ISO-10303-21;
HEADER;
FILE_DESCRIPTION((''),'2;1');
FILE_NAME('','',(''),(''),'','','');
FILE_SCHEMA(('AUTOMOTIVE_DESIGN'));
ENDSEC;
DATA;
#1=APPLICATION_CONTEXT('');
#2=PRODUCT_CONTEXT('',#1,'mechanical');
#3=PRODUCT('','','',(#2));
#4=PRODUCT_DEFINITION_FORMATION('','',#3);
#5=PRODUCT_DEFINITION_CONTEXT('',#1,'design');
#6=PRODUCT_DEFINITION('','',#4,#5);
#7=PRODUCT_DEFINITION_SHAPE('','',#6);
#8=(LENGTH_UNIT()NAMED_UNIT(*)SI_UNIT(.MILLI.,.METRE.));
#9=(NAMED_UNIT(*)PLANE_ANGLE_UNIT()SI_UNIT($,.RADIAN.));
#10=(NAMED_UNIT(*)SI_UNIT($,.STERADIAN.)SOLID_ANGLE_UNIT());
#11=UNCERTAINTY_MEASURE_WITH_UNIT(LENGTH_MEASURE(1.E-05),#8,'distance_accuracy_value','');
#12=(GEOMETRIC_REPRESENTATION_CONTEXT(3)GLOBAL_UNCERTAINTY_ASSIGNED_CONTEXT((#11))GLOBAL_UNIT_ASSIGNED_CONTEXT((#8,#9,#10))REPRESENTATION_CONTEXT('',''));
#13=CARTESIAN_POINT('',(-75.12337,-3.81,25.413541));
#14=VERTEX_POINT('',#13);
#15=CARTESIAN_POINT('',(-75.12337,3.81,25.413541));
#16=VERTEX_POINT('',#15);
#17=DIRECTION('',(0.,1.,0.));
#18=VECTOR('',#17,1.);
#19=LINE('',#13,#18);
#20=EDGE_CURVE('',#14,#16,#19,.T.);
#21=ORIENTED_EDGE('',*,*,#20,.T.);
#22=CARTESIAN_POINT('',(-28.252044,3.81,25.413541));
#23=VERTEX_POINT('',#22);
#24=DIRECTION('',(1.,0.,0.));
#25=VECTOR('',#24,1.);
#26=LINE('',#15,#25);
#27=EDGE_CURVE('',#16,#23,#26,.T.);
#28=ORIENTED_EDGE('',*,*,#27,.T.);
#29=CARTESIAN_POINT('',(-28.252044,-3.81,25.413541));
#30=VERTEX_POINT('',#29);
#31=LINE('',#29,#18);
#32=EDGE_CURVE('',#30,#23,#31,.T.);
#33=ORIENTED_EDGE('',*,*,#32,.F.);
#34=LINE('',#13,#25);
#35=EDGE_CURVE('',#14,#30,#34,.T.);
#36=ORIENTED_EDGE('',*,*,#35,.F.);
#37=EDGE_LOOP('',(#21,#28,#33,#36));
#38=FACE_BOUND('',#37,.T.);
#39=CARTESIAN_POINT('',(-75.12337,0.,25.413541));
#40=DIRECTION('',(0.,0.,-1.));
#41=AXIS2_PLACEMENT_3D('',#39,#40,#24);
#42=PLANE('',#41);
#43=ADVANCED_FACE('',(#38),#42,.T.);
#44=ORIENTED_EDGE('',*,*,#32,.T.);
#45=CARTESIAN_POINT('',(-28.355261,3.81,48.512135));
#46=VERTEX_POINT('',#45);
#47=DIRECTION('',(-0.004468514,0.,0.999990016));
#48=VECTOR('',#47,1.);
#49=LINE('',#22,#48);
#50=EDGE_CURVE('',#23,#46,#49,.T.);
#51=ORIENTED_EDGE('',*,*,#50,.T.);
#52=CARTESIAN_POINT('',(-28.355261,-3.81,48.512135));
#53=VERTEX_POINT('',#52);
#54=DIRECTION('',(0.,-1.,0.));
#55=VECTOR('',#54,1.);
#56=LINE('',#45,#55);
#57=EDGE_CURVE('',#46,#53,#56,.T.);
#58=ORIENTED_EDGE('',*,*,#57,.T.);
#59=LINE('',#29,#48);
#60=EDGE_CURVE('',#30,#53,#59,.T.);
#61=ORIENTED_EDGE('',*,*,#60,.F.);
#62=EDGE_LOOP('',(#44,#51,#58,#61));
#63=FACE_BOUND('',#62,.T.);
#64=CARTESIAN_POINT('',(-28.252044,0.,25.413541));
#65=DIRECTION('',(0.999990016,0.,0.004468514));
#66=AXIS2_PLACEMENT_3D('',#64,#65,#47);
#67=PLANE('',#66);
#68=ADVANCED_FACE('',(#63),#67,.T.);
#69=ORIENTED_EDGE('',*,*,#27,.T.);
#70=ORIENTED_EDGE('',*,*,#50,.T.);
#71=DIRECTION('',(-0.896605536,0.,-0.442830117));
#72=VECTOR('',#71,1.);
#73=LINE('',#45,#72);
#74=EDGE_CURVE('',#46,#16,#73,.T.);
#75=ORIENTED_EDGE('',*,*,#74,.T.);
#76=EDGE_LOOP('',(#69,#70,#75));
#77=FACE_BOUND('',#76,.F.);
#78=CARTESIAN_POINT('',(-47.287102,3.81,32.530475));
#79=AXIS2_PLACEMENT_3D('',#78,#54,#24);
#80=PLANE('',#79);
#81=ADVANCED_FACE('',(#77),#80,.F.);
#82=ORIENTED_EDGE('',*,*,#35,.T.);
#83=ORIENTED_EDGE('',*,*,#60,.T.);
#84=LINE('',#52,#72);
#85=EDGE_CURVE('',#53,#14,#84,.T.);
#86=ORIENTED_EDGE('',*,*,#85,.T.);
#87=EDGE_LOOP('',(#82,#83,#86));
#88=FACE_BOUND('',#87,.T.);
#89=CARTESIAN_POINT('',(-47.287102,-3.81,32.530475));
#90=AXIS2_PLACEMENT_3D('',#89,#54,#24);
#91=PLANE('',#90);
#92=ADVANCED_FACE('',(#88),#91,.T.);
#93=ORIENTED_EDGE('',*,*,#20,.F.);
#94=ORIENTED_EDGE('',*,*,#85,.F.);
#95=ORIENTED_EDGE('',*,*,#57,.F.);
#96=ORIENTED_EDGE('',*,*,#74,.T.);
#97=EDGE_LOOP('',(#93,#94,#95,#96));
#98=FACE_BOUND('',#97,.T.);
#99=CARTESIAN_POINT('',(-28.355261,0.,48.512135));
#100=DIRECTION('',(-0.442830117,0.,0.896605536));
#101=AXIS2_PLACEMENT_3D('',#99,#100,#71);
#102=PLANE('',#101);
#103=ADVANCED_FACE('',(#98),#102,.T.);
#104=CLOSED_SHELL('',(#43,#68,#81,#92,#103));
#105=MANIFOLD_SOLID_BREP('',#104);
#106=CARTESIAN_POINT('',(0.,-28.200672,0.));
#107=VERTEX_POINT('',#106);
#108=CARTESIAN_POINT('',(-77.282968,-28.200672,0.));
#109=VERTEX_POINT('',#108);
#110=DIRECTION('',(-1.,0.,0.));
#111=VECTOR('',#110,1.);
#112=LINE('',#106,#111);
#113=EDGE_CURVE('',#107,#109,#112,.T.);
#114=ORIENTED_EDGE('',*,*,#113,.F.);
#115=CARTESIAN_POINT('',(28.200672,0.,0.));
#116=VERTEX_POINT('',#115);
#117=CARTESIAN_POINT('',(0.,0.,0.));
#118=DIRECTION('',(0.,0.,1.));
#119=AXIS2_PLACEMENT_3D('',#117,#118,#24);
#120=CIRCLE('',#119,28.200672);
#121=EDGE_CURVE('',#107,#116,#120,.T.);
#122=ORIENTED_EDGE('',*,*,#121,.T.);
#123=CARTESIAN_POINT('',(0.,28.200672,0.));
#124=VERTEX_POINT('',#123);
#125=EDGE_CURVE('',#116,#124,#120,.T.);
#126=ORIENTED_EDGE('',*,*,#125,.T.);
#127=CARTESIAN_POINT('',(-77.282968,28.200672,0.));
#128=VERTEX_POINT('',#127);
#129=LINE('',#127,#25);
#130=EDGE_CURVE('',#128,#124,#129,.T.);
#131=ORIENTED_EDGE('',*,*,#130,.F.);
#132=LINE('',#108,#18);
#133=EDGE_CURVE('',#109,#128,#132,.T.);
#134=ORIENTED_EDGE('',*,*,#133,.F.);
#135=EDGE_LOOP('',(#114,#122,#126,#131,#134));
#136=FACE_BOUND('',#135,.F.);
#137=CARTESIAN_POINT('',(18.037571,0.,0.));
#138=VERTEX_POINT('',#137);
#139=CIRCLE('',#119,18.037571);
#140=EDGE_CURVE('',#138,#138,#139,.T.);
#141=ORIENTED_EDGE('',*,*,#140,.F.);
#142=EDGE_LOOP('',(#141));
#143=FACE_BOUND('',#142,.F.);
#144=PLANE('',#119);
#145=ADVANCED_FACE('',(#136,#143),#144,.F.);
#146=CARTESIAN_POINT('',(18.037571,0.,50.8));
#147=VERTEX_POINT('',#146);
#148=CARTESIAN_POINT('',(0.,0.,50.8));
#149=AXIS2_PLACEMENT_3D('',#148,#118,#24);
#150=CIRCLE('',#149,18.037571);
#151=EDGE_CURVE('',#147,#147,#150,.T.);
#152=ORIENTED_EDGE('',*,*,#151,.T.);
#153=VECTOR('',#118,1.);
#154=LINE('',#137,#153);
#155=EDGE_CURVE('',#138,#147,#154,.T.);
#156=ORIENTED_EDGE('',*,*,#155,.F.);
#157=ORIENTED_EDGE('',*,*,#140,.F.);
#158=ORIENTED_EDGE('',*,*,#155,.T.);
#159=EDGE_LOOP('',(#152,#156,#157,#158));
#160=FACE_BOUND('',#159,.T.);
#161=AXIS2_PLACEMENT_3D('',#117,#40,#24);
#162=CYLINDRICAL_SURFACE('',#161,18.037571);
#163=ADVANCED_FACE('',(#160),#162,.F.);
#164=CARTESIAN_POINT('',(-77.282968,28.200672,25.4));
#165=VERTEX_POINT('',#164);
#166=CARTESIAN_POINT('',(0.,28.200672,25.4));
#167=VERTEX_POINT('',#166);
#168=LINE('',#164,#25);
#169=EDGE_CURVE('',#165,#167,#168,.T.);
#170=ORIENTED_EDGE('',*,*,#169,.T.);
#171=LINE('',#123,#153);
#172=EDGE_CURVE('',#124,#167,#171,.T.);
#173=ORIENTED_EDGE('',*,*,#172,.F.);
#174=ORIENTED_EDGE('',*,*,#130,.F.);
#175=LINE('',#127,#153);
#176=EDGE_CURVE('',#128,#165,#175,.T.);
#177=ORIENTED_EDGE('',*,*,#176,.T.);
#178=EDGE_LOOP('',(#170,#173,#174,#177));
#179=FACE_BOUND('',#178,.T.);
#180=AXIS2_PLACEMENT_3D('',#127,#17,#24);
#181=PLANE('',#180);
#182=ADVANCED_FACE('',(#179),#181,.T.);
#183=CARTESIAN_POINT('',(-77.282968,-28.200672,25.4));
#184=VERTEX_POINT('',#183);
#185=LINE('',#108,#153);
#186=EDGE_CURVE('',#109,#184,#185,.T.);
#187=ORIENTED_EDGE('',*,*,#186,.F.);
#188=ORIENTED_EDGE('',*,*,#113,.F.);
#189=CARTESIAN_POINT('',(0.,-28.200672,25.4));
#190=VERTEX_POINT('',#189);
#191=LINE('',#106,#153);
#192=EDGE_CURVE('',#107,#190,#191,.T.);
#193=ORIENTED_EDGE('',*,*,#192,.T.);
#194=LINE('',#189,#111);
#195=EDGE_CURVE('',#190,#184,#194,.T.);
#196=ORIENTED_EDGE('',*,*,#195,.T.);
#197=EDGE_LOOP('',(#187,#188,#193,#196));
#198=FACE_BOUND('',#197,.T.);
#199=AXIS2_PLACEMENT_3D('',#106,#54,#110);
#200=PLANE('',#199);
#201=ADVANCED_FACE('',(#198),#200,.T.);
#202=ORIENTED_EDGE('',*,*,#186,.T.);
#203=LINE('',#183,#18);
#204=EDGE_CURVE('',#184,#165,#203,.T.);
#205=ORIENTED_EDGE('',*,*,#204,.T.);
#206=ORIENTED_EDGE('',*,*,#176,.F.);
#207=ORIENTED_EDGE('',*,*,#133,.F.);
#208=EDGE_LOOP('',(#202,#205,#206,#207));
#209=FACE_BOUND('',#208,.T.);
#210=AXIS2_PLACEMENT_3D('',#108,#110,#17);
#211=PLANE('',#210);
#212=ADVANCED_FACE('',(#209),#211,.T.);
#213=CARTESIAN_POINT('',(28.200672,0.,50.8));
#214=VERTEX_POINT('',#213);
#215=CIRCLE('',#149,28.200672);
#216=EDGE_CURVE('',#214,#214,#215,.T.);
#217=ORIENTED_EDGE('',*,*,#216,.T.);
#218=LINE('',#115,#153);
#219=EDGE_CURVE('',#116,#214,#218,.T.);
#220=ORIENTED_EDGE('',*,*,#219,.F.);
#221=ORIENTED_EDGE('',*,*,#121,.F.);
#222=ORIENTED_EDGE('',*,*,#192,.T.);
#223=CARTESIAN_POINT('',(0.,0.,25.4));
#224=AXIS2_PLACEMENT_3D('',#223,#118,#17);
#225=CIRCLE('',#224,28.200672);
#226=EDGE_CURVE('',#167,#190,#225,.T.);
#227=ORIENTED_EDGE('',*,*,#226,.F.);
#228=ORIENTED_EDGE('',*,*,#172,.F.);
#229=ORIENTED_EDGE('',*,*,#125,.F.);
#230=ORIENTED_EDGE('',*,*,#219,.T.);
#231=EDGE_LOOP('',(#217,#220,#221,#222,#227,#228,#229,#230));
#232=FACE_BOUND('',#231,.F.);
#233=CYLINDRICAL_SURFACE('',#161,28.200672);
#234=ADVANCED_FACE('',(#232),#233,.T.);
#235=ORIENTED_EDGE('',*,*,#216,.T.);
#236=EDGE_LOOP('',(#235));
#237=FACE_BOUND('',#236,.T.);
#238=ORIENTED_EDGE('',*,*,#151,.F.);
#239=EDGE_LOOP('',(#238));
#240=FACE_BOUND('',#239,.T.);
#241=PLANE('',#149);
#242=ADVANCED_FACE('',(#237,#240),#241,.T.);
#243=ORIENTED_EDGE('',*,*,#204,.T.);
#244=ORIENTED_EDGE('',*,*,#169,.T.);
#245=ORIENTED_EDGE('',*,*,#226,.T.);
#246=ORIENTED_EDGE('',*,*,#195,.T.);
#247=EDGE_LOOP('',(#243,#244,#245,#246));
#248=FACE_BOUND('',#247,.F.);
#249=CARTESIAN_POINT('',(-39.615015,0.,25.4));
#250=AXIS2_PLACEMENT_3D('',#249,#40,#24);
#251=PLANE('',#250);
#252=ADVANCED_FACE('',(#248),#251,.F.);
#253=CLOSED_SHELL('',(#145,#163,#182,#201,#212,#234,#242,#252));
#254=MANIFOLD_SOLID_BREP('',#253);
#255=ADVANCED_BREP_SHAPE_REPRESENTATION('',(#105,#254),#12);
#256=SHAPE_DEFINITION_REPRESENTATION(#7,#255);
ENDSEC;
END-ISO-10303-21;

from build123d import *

# Parameters (mm, degrees)
F0_R     = 28.2006722859
F0_R_2   = 18.0375708909
F1_DEPTH = 50.8
F3_DEPTH = 25.4
F5_DEPTH = 3.81


with BuildPart() as f1:
    # F0 (on Top) → F1 (new body)
    with BuildSketch(Plane.XY):
        Circle(F0_R)
        Circle(F0_R_2, mode=Mode.SUBTRACT)
    extrude(amount=F1_DEPTH)

    # F2 (on face) → F3 (join)
    with BuildSketch(Plane(origin=(0, 0, 0), x_dir=(1, 0, 0), z_dir=(0, 0, -1))):
        with BuildLine():
            Line((-77.2829676373, -28.2006722859), (0, -28.2006722859))
            ThreePointArc((0, -28.2006722859), (-28.2006722859, 0), (0, 28.2006722859))
            Line((0, 28.2006722859), (-77.2829676373, 28.2006722859))
            Line((-77.2829676373, 28.2006722859), (-77.2829676373, -28.2006722859))
        make_face()
    extrude(amount=-F3_DEPTH)


with BuildPart() as f5:
    # F4 (on Front) → F5 (new body, symmetric)
    with BuildSketch(Plane.XZ):
        Polygon((-28.2520439008, 25.4135411233), (-28.3552613109, 48.512134701), (-75.1233696938, 25.4135411233), align=None)
    extrude(amount=F5_DEPTH, both=True)


solid = Compound([f1.part, f5.part])
